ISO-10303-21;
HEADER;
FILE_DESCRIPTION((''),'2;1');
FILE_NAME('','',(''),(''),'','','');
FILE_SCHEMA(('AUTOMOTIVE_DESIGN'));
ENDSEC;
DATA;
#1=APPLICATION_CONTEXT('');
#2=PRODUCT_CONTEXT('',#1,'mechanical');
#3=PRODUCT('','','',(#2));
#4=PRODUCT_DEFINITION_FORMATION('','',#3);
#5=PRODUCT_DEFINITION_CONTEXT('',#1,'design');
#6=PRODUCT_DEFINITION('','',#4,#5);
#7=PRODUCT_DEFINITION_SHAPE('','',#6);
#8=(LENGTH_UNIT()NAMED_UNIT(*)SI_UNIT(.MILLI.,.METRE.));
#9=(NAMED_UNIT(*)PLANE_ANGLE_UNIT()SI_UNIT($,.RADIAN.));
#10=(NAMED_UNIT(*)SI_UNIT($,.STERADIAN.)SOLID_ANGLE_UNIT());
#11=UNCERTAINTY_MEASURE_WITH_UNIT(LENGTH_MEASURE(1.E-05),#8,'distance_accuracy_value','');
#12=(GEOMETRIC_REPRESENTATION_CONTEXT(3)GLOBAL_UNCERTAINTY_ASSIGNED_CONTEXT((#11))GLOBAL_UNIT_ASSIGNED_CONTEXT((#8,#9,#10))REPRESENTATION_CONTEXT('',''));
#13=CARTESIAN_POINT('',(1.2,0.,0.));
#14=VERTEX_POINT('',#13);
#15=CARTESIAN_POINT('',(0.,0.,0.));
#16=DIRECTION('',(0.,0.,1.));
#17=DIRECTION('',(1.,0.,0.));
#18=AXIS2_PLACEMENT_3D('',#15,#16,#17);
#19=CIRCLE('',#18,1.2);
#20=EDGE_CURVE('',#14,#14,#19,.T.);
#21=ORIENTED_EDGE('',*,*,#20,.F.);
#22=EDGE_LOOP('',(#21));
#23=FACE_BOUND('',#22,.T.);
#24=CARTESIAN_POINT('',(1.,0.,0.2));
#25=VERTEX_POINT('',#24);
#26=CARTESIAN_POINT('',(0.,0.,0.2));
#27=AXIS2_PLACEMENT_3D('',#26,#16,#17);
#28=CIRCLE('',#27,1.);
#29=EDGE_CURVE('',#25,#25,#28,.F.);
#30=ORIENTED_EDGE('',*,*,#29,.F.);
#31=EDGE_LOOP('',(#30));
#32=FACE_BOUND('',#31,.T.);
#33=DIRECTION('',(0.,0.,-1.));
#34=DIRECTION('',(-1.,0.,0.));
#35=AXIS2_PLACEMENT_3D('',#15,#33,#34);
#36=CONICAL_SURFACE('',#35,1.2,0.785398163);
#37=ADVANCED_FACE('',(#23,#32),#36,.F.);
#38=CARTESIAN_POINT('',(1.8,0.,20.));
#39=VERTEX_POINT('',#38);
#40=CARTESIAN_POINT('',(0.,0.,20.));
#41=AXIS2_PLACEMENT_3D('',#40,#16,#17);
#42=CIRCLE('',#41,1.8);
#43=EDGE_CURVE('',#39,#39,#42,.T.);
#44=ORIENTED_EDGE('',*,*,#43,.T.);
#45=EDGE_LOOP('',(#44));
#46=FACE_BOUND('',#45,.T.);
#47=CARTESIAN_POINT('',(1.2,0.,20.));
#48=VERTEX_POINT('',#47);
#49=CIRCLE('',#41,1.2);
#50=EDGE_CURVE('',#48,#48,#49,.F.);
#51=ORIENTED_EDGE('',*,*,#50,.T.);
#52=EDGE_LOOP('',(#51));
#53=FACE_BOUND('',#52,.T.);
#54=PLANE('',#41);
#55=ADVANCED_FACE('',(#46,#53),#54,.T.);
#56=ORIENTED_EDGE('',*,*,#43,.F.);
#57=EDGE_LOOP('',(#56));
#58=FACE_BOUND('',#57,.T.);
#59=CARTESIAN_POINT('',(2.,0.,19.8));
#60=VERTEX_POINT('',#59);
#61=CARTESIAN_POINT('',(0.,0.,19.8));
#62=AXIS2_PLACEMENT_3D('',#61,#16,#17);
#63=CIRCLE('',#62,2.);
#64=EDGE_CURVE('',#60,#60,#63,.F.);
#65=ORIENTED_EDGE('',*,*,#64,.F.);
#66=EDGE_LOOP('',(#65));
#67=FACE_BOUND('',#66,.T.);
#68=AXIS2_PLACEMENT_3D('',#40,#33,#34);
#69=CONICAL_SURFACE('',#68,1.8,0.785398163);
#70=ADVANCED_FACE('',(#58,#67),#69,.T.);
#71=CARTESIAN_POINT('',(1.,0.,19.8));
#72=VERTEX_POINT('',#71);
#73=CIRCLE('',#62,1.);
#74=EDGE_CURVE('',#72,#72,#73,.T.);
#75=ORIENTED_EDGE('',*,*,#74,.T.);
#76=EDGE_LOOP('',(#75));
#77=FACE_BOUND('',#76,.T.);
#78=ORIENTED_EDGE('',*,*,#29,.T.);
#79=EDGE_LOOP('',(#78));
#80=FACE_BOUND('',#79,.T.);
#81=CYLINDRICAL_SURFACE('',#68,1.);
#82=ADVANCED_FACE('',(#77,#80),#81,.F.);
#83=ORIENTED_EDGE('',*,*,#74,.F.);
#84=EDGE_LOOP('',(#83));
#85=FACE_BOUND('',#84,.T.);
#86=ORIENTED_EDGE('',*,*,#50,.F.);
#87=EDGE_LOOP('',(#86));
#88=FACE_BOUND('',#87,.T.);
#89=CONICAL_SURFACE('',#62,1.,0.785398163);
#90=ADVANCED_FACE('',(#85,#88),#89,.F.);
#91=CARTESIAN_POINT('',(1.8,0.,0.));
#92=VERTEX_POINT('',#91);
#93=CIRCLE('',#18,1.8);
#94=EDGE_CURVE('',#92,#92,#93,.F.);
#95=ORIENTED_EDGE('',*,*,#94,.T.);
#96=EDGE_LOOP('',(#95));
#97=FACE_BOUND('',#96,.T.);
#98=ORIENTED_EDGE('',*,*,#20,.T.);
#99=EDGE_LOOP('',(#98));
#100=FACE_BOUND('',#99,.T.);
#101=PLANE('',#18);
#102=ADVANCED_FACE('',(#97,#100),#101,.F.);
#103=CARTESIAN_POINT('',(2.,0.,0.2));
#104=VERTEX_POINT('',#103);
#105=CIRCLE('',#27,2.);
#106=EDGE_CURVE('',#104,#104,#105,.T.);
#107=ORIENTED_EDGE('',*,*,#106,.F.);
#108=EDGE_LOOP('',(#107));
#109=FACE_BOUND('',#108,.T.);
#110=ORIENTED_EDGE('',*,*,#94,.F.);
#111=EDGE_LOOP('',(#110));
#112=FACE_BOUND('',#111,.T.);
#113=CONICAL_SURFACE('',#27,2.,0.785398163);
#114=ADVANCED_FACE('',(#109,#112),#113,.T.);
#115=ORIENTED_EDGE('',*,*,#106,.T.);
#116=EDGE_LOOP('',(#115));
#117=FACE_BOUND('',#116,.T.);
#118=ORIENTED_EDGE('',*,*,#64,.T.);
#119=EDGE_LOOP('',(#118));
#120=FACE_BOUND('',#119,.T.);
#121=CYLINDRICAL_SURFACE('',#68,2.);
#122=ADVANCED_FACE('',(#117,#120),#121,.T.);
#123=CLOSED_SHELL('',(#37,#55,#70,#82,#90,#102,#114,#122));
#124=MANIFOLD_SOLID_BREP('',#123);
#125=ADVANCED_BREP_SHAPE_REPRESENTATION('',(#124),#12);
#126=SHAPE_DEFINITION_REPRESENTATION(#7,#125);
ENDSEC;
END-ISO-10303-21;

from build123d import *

# Parameters (mm, degrees)
SKETCH_1_R      = 2
SKETCH_1_R_2    = 1
EXTRUDE_1_DEPTH = 20
CHAMFER_1_SIZE  = 0.2


with BuildPart() as part:
    # Эскиз1 → Бобышка-Вытянуть1 (new body)
    with BuildSketch(Plane.XY):
        Circle(SKETCH_1_R)
        Circle(SKETCH_1_R_2, mode=Mode.SUBTRACT)
    extrude(amount=EXTRUDE_1_DEPTH)

    # Фаска1
    chamfer_1_edges = [part.edges().sort_by_distance(p)[0] for p in [
        (-2, 0, 0),
        (-2, 0, 20),
        (-1, 0, 0),
        (-1, 0, 20),
    ]]
    chamfer(chamfer_1_edges, length=CHAMFER_1_SIZE)


solid = part.part
